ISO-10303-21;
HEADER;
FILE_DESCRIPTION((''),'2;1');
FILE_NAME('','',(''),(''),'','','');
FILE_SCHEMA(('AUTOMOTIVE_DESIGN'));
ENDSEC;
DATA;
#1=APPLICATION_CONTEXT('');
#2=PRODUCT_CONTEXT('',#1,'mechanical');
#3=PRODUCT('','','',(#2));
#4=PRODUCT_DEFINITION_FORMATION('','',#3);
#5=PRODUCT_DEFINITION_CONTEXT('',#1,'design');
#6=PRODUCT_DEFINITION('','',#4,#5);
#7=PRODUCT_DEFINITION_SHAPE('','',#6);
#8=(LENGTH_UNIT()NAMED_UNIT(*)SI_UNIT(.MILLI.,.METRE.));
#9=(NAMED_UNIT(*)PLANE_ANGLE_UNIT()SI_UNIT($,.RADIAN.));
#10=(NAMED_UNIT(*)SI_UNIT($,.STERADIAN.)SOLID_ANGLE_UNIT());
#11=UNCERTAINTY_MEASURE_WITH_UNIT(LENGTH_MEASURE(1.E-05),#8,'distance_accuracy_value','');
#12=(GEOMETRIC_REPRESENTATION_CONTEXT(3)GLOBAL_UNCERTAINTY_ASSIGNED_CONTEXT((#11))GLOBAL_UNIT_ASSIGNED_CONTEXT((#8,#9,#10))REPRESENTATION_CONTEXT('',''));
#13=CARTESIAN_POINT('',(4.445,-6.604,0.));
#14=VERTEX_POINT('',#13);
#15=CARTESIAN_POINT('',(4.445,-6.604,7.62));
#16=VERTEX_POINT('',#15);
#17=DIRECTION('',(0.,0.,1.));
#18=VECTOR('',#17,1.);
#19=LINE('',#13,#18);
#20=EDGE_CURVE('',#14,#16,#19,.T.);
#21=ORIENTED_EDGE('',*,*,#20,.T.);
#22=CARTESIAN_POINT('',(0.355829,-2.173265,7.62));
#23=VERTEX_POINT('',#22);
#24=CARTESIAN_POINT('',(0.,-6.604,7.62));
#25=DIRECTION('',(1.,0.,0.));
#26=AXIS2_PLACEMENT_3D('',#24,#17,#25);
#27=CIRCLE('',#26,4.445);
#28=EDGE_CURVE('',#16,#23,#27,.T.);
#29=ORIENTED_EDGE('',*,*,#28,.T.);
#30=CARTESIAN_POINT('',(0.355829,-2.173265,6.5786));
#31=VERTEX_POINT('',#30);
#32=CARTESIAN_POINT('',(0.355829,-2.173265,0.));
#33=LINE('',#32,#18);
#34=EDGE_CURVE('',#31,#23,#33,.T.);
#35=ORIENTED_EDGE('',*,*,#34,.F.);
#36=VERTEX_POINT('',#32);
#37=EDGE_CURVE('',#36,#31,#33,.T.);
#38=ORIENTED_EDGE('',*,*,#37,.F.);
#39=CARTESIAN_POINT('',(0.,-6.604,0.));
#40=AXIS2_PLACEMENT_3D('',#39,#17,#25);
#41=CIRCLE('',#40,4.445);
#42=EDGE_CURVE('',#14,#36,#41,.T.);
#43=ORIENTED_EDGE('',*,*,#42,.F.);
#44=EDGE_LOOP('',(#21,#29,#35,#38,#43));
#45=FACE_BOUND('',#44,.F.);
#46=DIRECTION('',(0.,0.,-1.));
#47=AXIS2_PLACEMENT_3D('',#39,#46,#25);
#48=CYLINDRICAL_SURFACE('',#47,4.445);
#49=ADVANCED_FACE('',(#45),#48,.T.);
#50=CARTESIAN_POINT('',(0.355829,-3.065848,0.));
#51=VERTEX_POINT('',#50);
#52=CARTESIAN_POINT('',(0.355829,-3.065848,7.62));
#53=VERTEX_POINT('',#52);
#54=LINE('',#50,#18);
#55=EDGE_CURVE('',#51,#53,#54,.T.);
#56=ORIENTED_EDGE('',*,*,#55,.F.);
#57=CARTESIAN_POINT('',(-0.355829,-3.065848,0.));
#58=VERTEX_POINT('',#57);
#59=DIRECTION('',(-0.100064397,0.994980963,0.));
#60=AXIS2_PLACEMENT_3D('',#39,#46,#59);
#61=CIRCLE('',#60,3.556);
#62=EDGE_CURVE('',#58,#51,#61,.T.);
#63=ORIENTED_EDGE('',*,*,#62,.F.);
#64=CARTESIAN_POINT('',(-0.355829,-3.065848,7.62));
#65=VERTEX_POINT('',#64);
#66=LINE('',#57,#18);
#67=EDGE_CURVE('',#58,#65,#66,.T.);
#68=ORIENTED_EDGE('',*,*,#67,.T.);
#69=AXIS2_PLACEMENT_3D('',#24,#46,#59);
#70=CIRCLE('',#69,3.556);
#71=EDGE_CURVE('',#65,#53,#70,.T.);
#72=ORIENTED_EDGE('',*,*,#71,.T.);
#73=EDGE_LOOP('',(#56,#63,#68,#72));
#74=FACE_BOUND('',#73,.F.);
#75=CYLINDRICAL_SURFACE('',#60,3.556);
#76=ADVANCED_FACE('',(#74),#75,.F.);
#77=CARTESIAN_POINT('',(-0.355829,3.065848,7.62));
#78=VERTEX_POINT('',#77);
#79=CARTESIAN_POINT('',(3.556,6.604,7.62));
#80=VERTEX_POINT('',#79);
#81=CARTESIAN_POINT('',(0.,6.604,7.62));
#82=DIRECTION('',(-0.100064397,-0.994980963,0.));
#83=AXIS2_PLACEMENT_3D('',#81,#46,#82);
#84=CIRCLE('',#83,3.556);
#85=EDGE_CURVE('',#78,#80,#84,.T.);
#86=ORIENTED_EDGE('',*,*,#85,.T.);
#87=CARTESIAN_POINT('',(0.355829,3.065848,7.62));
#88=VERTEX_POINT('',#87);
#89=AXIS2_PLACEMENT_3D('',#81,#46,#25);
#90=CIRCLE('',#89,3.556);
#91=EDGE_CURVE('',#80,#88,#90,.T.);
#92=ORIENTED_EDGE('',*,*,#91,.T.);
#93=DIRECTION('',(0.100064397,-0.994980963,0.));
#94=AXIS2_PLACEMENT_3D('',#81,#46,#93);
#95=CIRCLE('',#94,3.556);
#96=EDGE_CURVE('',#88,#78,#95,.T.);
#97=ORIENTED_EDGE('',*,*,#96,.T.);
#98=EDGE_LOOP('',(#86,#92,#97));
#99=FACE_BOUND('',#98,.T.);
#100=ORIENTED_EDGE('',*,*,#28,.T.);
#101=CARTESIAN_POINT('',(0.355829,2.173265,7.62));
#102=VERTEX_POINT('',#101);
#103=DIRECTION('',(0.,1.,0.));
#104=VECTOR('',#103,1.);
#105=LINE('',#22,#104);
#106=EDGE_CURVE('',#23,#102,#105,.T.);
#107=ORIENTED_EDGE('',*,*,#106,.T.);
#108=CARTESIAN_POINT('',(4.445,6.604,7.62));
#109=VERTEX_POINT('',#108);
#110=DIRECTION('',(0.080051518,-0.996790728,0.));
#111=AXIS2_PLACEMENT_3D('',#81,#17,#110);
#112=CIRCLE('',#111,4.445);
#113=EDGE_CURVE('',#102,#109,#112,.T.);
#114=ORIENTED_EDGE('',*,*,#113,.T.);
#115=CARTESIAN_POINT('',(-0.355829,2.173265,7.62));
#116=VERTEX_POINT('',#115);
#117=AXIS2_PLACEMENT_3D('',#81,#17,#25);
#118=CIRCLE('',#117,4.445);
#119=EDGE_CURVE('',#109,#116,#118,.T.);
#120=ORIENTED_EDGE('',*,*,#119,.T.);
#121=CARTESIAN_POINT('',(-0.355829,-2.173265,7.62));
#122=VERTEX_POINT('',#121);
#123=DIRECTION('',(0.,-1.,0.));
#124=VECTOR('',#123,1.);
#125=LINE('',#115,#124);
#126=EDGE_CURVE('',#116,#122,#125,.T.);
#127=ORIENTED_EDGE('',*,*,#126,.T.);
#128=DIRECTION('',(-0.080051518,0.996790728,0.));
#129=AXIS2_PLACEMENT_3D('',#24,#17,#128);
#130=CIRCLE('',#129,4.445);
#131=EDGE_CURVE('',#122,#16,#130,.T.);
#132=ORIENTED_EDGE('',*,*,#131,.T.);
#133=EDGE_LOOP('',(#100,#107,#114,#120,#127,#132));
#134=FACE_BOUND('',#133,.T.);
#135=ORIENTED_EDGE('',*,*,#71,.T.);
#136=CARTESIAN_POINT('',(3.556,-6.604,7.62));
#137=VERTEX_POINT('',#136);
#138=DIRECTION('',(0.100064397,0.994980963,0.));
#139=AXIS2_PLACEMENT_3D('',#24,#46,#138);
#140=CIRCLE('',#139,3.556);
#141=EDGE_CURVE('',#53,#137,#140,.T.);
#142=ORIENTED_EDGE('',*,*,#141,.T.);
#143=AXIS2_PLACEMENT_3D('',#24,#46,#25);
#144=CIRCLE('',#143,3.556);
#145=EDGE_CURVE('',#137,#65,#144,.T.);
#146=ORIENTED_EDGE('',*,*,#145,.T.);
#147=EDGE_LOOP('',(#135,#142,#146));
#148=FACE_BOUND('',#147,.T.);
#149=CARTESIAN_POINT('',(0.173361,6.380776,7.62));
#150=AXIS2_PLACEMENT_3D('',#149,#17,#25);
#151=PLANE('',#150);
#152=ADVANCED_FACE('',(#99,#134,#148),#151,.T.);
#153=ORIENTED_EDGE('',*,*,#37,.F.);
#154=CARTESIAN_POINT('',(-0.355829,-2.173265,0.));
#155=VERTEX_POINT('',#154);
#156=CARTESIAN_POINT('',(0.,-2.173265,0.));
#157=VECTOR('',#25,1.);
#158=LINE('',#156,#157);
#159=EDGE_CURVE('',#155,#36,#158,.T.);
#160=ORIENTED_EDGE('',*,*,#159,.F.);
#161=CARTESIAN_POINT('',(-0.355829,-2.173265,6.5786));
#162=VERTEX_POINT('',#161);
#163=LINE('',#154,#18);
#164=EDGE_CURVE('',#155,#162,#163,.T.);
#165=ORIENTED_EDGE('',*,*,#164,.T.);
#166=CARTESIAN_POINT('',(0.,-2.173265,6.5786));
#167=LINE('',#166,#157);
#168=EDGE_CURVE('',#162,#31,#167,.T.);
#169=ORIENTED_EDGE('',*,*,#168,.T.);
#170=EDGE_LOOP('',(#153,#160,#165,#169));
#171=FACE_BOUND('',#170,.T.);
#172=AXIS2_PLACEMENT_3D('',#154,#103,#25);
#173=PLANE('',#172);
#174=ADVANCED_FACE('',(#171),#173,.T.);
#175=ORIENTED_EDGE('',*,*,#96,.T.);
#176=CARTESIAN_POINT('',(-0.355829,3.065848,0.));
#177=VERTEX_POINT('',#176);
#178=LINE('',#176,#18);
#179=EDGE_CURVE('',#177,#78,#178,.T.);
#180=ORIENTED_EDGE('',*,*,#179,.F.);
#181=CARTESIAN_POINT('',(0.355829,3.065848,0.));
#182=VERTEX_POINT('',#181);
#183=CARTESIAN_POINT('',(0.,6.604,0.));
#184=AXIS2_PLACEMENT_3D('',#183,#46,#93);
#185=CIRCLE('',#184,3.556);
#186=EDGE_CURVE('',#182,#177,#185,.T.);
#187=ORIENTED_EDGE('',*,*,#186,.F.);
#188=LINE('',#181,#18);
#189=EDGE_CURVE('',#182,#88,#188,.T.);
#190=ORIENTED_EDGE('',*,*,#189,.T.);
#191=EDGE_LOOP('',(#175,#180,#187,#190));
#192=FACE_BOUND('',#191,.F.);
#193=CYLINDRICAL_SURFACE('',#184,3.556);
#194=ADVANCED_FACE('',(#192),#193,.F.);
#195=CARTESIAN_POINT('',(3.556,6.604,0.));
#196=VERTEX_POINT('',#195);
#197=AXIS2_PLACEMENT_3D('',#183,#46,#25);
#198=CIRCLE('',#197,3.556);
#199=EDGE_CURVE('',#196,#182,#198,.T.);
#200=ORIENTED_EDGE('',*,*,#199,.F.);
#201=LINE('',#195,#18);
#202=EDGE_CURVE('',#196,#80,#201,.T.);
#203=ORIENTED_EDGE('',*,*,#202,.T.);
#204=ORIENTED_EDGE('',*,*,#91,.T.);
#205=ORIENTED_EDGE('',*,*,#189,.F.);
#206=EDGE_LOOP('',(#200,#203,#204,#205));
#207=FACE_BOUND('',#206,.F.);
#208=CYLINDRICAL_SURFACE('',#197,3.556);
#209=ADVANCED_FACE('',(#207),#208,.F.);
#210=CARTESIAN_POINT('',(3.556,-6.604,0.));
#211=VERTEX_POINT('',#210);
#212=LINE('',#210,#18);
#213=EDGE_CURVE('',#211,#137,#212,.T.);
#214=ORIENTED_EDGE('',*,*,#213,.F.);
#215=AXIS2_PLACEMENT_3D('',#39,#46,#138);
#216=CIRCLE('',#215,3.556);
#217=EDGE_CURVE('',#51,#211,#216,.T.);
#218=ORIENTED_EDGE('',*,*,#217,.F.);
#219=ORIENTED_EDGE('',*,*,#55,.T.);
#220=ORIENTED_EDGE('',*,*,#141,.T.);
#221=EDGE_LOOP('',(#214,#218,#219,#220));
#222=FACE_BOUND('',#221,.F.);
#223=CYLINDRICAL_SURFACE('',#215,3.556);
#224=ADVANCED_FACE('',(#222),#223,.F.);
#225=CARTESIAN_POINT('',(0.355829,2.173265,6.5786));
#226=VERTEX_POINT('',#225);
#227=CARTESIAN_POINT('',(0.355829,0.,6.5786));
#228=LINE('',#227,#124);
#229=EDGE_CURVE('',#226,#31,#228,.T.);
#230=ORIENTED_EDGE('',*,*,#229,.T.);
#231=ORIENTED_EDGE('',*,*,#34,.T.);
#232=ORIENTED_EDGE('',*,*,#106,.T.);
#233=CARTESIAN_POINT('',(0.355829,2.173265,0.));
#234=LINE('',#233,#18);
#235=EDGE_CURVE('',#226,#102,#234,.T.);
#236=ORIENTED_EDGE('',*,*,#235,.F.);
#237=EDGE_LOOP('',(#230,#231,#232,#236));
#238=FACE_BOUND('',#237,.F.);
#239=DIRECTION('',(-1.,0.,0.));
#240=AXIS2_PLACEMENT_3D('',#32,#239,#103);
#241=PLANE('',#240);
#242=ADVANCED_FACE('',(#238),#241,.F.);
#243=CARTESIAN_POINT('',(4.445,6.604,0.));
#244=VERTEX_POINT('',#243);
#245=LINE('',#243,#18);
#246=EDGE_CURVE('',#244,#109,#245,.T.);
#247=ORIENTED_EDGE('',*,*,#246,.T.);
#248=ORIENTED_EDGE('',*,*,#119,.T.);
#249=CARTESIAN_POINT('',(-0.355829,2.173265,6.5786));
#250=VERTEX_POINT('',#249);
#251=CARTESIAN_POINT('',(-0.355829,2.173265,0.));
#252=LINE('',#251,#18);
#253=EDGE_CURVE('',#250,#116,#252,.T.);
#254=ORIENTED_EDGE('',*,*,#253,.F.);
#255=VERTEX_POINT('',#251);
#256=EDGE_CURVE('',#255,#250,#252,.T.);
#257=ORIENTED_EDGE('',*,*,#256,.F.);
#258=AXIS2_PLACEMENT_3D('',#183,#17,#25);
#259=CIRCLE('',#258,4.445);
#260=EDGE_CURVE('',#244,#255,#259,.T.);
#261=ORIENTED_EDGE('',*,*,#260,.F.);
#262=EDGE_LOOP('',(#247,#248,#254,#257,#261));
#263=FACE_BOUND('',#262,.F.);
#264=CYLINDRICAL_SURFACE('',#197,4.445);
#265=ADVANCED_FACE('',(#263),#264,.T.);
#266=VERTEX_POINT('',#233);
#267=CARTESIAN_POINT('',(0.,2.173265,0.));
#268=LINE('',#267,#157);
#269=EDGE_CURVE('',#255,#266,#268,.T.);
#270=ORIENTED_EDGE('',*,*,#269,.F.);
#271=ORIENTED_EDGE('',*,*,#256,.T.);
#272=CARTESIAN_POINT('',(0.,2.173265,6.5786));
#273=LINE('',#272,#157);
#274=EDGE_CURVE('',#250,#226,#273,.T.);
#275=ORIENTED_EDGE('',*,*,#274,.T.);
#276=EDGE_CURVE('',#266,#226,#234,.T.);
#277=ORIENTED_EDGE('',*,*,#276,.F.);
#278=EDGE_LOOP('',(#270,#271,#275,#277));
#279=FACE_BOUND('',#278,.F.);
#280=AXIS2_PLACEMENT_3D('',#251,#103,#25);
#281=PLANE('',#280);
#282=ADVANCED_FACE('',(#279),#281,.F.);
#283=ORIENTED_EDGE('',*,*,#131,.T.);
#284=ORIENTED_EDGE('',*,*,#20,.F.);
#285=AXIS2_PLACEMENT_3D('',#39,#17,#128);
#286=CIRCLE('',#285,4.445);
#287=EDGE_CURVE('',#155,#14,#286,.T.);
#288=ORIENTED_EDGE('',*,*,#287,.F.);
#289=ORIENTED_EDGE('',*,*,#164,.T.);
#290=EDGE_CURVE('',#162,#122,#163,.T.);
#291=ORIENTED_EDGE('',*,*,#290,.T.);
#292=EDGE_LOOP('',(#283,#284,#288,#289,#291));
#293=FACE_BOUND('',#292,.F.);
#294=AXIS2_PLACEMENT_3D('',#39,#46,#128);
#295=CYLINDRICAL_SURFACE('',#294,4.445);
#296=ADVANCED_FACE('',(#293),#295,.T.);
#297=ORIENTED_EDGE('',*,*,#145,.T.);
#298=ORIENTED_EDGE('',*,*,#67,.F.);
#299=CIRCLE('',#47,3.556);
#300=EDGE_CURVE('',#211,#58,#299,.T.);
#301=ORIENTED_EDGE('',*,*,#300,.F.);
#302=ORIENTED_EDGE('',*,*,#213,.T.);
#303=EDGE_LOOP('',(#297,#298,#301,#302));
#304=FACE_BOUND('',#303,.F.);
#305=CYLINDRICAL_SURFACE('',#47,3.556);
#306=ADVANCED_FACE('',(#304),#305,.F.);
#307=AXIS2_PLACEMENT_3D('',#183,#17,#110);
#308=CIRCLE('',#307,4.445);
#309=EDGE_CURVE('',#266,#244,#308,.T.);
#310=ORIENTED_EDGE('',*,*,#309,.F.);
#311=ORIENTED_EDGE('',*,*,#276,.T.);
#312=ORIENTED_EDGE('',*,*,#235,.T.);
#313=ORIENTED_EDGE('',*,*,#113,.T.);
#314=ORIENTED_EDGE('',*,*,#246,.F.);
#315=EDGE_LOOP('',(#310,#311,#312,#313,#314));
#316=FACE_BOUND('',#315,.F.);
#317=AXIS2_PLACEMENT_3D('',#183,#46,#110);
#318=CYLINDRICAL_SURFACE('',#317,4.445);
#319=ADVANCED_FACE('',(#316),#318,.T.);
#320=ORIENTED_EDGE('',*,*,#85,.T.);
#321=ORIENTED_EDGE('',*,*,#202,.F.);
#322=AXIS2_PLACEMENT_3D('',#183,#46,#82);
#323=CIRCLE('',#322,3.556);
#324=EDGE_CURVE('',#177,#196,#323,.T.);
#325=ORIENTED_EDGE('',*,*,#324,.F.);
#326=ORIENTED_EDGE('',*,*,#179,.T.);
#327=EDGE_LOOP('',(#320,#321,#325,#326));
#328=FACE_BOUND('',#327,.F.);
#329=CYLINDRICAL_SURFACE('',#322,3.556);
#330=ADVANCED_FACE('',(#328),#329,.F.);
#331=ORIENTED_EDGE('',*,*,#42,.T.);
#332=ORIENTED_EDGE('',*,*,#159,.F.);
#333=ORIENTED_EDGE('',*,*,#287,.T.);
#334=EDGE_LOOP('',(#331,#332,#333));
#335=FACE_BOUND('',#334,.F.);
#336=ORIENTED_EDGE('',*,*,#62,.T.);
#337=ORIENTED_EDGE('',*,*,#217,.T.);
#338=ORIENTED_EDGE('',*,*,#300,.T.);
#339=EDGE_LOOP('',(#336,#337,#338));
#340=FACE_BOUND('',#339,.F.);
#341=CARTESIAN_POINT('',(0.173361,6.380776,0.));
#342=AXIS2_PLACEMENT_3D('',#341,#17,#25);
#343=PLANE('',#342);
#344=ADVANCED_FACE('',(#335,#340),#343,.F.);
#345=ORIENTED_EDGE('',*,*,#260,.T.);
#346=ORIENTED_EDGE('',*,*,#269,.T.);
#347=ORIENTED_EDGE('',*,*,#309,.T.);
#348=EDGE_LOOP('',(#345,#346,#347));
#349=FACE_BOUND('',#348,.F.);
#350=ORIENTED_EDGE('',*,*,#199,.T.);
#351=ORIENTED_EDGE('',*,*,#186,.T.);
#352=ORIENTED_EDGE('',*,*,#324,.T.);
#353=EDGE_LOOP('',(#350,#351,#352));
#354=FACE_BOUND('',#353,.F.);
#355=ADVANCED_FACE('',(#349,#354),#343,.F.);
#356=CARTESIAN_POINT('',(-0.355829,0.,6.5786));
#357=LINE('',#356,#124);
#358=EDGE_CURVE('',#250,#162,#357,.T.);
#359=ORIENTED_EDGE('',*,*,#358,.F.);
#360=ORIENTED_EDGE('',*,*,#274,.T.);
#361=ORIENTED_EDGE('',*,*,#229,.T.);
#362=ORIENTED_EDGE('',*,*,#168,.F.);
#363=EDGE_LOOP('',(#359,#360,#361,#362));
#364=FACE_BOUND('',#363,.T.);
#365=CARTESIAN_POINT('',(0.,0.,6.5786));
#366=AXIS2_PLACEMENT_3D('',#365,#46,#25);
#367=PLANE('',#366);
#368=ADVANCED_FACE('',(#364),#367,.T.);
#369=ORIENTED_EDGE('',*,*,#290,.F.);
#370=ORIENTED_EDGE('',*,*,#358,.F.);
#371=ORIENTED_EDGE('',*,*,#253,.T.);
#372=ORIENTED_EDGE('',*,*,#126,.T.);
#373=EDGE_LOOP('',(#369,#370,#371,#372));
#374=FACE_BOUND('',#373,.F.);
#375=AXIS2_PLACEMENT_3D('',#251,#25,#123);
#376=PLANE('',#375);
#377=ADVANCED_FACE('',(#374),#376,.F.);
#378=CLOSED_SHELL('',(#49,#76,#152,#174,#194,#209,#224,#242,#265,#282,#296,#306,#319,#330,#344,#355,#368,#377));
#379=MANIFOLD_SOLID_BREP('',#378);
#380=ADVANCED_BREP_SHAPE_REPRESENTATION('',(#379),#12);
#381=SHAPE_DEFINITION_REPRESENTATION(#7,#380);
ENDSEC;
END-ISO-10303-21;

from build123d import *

# Parameters (mm, degrees)
F1_DEPTH = 7.62
F2_W     = 0.7116579933
F2_H     = 4.3465304322
F3_DEPTH = 6.5786


with BuildPart() as f1:
    # F0 (on Top) → F1 (new body)
    with BuildSketch(Plane.XY):
        with BuildLine():
            ThreePointArc((-0.3558289966, 3.0658476962), (-2.3853519749, 9.2412773756), (3.556, 6.604))
            ThreePointArc((3.556, 6.604), (2.6372773756, 4.2186480251), (0.3558289966, 3.0658476962))
            Line((0.3558289966, 3.0658476962), (0.3558289966, 2.1732652161))
            ThreePointArc((0.3558289966, 2.1732652161), (3.2664724773, 3.589338733), (4.445, 6.604))
            ThreePointArc((4.445, 6.604), (-3.014661267, 9.8704724773), (-0.3558289966, 2.1732652161))
            Line((-0.3558289966, 2.1732652161), (-0.3558289966, 3.0658476962))
        make_face()
        with BuildLine():
            ThreePointArc((0.3558289966, 3.0658476962), (0, 3.048), (-0.3558289966, 3.0658476962))
            Line((-0.3558289966, 3.0658476962), (-0.3558289966, 2.1732652161))
            ThreePointArc((-0.3558289966, 2.1732652161), (0, 2.159), (0.3558289966, 2.1732652161))
            Line((0.3558289966, 2.1732652161), (0.3558289966, 3.0658476962))
        make_face()
        with BuildLine():
            ThreePointArc((0.3558289966, 2.1732652161), (0, 2.159), (-0.3558289966, 2.1732652161))
            Line((-0.3558289966, 2.1732652161), (-0.3558289966, -2.1732652161))
            ThreePointArc((-0.3558289966, -2.1732652161), (0, -2.159), (0.3558289966, -2.1732652161))
            Line((0.3558289966, -2.1732652161), (0.3558289966, 2.1732652161))
        make_face()
        with BuildLine():
            Line((-0.3558289966, -3.0658476962), (-0.3558289966, -2.1732652161))
            ThreePointArc((-0.3558289966, -2.1732652161), (-3.014661267, -9.8704724773), (4.445, -6.604))
            ThreePointArc((4.445, -6.604), (3.2664724773, -3.589338733), (0.3558289966, -2.1732652161))
            Line((0.3558289966, -2.1732652161), (0.3558289966, -3.0658476962))
            ThreePointArc((0.3558289966, -3.0658476962), (2.6372773756, -4.2186480251), (3.556, -6.604))
            ThreePointArc((3.556, -6.604), (-2.3853519749, -9.2412773756), (-0.3558289966, -3.0658476962))
        make_face()
        with BuildLine():
            ThreePointArc((0.3558289966, -2.1732652161), (0, -2.159), (-0.3558289966, -2.1732652161))
            Line((-0.3558289966, -2.1732652161), (-0.3558289966, -3.0658476962))
            ThreePointArc((-0.3558289966, -3.0658476962), (0, -3.048), (0.3558289966, -3.0658476962))
            Line((0.3558289966, -3.0658476962), (0.3558289966, -2.1732652161))
        make_face()
    extrude(amount=F1_DEPTH)

    # F2 (on face) → F3 (cut)
    with BuildSketch(Plane(origin=(0, 0, 0), x_dir=(1, 0, 0), z_dir=(0, 0, -1))):
        Rectangle(F2_W, F2_H)
    extrude(amount=-F3_DEPTH, mode=Mode.SUBTRACT)


solid = f1.part
